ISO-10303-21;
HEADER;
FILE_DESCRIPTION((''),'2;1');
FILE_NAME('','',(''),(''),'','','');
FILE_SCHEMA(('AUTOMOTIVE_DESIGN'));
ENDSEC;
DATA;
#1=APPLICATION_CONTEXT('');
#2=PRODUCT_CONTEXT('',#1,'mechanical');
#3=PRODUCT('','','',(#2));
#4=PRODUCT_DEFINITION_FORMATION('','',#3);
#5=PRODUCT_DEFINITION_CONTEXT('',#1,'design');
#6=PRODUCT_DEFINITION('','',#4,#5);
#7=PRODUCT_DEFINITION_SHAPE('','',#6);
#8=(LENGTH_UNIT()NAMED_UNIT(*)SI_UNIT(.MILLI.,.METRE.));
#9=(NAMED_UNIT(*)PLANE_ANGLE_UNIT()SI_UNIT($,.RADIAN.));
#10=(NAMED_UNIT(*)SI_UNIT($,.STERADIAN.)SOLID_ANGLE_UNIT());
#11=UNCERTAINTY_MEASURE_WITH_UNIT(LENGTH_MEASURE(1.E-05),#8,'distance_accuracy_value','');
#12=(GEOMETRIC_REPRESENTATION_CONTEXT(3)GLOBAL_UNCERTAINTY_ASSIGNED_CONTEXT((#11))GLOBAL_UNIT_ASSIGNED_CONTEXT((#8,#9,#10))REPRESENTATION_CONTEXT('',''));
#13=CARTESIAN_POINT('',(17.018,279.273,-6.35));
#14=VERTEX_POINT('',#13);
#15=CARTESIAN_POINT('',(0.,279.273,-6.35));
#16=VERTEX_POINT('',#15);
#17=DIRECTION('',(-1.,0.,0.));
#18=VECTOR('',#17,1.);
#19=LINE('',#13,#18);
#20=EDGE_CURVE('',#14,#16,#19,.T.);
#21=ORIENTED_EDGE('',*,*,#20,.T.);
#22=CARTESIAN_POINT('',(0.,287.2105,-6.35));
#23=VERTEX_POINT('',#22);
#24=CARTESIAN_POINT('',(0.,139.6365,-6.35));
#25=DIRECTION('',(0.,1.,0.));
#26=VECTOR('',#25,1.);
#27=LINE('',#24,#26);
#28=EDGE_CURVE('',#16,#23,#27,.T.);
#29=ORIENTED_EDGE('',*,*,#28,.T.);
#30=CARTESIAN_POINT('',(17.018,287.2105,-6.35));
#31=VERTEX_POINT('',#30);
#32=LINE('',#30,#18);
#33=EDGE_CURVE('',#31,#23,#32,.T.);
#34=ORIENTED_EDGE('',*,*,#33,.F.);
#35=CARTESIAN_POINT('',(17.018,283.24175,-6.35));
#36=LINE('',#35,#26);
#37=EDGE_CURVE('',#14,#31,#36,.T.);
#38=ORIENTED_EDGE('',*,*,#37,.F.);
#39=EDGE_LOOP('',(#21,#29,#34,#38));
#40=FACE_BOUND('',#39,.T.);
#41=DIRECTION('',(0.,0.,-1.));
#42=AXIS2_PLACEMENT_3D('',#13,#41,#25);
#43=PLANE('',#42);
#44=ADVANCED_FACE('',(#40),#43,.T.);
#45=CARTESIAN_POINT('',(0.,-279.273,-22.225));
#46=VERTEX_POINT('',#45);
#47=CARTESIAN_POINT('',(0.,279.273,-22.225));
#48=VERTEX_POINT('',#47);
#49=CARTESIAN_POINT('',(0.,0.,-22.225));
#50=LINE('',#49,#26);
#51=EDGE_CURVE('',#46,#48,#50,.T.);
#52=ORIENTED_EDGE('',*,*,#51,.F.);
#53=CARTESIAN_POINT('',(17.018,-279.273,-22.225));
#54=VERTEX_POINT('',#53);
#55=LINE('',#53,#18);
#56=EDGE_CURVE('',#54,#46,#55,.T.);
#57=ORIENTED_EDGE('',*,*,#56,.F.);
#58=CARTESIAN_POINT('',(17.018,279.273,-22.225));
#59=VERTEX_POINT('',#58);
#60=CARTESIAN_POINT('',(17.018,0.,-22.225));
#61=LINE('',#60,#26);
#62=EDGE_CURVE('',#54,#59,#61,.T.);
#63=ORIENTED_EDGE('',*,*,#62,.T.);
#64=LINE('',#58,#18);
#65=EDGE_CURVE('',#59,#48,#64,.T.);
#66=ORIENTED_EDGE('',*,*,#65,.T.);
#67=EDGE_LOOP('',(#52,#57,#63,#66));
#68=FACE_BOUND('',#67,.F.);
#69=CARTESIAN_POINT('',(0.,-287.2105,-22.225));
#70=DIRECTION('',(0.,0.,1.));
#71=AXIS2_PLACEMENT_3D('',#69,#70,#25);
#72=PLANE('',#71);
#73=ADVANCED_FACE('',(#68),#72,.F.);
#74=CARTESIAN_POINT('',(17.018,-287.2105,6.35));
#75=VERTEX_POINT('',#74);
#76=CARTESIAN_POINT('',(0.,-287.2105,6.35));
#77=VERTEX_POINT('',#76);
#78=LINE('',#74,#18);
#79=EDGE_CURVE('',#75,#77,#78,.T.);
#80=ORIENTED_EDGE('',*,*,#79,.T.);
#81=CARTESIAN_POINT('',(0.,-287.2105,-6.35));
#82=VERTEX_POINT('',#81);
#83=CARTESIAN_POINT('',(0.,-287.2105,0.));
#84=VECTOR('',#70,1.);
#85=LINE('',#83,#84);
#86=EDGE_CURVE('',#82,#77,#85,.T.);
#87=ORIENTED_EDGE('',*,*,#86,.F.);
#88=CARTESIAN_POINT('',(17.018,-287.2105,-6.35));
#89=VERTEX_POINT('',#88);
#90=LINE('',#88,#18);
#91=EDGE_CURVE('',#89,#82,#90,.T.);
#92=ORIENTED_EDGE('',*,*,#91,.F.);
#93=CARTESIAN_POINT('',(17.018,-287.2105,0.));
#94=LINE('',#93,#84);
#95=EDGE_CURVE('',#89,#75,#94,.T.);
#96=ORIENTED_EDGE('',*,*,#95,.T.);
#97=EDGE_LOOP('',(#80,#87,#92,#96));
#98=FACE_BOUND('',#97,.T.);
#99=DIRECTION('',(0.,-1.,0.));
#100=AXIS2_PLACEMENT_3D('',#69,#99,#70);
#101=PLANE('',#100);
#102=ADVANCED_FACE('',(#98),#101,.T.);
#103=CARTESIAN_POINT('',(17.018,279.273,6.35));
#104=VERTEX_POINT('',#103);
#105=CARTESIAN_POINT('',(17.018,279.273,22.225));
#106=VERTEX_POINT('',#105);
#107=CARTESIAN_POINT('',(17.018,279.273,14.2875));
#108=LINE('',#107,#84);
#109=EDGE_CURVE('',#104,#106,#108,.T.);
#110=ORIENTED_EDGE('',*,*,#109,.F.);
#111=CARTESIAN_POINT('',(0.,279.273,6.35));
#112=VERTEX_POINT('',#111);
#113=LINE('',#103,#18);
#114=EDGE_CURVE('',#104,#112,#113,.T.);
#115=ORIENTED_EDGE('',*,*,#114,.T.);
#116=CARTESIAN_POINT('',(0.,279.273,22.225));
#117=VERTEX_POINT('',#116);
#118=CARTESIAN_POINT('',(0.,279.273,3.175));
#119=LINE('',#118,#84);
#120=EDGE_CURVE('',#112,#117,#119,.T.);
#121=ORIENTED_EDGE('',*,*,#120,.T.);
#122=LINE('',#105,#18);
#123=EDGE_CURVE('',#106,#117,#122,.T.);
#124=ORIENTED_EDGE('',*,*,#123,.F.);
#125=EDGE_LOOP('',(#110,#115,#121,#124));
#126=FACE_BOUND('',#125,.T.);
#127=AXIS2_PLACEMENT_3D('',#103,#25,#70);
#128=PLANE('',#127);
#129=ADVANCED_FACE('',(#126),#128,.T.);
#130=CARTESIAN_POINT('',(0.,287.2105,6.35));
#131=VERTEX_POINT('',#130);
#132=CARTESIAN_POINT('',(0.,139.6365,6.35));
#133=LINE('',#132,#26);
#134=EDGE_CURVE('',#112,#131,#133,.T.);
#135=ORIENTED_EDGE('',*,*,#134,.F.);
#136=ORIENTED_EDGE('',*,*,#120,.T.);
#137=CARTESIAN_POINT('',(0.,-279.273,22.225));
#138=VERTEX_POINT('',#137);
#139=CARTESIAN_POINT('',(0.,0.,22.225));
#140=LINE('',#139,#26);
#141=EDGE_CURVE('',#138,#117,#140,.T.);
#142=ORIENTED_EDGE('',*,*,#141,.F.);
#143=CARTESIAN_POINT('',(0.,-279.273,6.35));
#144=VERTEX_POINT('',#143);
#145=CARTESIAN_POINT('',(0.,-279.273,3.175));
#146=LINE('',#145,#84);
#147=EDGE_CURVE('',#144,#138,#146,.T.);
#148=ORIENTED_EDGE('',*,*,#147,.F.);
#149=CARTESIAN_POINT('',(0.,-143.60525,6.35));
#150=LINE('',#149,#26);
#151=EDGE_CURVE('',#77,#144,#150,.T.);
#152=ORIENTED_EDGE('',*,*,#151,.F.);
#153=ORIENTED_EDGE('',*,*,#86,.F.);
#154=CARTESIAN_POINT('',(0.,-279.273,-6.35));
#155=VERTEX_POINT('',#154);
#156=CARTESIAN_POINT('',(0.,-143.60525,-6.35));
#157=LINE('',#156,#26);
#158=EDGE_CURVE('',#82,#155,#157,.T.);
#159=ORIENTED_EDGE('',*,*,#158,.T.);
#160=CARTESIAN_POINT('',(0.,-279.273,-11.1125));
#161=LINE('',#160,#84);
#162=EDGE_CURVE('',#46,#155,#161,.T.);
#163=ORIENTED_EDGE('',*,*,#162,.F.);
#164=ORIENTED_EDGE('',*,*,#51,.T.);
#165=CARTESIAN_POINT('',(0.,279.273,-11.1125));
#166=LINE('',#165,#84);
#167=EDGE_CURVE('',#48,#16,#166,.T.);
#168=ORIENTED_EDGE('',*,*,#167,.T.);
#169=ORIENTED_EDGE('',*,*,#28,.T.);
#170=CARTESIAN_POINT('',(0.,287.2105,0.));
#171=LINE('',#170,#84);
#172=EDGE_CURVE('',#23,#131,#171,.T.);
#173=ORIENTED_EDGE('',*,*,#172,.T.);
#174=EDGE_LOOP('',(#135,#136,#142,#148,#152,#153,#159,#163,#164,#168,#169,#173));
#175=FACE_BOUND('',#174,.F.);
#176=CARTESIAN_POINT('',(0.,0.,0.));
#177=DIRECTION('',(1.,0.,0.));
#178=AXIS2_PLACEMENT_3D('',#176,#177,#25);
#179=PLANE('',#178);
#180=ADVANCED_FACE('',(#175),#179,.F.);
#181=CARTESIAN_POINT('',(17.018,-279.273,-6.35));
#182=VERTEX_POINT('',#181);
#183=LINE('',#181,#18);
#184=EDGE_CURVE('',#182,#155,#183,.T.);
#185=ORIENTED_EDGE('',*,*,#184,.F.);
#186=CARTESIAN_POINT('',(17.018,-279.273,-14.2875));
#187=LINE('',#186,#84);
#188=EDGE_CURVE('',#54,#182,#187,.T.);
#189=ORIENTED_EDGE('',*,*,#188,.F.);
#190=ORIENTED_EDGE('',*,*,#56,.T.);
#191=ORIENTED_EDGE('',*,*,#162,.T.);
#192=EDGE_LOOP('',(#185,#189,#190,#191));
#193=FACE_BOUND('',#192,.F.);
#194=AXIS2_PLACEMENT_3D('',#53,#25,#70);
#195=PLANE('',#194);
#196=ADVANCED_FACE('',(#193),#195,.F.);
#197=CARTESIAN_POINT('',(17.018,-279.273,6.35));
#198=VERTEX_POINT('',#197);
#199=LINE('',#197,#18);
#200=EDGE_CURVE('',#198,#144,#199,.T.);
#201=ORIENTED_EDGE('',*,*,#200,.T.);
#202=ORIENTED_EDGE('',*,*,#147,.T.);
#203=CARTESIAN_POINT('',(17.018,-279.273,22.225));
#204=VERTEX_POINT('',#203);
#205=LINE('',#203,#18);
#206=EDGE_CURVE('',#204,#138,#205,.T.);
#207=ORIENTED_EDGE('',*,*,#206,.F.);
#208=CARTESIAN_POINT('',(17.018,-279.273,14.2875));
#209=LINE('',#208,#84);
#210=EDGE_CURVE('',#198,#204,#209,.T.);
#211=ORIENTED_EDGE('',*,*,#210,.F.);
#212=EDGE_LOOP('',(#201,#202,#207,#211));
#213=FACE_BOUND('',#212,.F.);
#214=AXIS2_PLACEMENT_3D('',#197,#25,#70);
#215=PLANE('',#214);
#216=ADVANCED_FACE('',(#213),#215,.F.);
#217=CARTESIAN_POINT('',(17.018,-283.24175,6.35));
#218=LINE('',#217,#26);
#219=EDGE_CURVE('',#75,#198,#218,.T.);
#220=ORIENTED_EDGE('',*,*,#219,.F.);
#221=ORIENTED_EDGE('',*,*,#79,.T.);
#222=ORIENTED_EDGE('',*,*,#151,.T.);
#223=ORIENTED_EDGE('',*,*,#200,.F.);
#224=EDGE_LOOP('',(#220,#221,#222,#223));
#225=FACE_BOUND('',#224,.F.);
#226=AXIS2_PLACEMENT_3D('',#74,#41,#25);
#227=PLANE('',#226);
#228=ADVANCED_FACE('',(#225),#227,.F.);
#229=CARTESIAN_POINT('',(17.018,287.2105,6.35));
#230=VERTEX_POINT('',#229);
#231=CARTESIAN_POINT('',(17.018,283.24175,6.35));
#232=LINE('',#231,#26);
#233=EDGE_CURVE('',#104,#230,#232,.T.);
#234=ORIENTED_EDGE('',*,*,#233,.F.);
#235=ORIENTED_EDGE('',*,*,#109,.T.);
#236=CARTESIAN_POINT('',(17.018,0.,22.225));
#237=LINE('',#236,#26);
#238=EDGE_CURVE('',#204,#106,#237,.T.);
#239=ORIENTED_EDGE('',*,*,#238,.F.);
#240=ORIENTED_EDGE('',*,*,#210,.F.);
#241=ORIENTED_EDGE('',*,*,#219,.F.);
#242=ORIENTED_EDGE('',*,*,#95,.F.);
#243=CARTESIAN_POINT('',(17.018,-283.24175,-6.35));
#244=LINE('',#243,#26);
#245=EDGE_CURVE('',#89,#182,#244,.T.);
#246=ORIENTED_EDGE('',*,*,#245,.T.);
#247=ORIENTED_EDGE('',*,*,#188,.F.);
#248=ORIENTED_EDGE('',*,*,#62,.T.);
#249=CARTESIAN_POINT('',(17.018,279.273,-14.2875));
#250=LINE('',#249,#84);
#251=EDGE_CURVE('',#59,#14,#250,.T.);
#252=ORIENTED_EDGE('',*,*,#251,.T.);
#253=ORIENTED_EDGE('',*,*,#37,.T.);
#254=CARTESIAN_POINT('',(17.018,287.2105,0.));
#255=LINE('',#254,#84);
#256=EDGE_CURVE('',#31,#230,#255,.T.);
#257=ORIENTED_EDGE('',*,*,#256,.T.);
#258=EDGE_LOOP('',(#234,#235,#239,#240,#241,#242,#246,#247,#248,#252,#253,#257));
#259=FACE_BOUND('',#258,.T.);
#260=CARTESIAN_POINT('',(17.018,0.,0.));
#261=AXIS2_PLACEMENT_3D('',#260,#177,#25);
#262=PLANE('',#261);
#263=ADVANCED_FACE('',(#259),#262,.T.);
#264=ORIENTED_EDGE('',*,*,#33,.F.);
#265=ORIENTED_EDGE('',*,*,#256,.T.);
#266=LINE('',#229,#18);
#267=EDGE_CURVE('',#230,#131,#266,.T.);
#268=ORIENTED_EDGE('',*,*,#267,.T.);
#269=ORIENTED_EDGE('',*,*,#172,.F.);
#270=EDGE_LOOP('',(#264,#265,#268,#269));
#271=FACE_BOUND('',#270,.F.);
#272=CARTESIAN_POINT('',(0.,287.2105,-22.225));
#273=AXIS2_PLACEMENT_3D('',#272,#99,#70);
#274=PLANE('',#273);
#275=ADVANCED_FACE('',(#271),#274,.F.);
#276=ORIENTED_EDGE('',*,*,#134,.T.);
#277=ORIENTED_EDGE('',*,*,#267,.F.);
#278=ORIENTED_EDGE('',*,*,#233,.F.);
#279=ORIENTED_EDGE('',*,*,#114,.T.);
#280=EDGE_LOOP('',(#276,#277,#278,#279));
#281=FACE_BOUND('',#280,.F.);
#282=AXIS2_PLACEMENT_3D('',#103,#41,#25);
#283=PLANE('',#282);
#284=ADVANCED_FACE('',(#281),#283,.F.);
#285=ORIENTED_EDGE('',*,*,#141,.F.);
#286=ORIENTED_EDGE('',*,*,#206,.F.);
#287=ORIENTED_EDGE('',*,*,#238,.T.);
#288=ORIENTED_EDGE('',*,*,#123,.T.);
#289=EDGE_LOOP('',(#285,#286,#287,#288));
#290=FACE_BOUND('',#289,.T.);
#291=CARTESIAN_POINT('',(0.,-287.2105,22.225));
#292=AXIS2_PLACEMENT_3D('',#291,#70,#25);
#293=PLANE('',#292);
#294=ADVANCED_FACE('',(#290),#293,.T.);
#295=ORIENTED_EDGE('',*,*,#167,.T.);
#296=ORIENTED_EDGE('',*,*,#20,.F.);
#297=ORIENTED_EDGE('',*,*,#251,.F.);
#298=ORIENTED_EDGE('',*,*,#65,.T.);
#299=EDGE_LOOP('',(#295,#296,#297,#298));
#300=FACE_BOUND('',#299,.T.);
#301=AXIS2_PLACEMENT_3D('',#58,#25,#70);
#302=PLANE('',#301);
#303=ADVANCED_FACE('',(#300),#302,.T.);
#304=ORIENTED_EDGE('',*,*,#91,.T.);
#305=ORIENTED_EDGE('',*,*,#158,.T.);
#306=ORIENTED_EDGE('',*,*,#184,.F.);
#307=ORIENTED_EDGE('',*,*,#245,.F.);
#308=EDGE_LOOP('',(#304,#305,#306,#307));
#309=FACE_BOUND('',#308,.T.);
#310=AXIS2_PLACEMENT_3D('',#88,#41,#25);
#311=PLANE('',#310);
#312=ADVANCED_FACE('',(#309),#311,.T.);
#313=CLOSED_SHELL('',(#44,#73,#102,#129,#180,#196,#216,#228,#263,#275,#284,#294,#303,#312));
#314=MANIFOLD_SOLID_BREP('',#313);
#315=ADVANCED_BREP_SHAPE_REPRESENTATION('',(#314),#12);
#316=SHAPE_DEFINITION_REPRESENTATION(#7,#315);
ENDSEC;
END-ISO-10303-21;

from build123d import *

# Parameters (mm, degrees)
F0_W     = 574.421
F0_H     = 44.45
F1_DEPTH = 17.018
F2_W     = 7.9375
F2_H     = 15.875
F3_DEPTH = 25.4


with BuildPart() as f1:
    # F0 (on Right) → F1 (new body)
    with BuildSketch(Plane.YZ):
        Rectangle(F0_W, F0_H)
    extrude(amount=F1_DEPTH)

    # F2 (on face) → F3 (cut)
    with BuildSketch(Plane.YZ.offset(17.018)):
        with Locations((-283.24175, 14.2875)):
            Rectangle(F2_W, F2_H)
        with Locations((-283.24175, -14.2875)):
            Rectangle(F2_W, F2_H)
        with Locations((283.24175, 14.2875)):
            Rectangle(F2_W, F2_H)
        with Locations((283.24175, -14.2875)):
            Rectangle(F2_W, F2_H)
    extrude(amount=-F3_DEPTH, mode=Mode.SUBTRACT)


solid = f1.part
